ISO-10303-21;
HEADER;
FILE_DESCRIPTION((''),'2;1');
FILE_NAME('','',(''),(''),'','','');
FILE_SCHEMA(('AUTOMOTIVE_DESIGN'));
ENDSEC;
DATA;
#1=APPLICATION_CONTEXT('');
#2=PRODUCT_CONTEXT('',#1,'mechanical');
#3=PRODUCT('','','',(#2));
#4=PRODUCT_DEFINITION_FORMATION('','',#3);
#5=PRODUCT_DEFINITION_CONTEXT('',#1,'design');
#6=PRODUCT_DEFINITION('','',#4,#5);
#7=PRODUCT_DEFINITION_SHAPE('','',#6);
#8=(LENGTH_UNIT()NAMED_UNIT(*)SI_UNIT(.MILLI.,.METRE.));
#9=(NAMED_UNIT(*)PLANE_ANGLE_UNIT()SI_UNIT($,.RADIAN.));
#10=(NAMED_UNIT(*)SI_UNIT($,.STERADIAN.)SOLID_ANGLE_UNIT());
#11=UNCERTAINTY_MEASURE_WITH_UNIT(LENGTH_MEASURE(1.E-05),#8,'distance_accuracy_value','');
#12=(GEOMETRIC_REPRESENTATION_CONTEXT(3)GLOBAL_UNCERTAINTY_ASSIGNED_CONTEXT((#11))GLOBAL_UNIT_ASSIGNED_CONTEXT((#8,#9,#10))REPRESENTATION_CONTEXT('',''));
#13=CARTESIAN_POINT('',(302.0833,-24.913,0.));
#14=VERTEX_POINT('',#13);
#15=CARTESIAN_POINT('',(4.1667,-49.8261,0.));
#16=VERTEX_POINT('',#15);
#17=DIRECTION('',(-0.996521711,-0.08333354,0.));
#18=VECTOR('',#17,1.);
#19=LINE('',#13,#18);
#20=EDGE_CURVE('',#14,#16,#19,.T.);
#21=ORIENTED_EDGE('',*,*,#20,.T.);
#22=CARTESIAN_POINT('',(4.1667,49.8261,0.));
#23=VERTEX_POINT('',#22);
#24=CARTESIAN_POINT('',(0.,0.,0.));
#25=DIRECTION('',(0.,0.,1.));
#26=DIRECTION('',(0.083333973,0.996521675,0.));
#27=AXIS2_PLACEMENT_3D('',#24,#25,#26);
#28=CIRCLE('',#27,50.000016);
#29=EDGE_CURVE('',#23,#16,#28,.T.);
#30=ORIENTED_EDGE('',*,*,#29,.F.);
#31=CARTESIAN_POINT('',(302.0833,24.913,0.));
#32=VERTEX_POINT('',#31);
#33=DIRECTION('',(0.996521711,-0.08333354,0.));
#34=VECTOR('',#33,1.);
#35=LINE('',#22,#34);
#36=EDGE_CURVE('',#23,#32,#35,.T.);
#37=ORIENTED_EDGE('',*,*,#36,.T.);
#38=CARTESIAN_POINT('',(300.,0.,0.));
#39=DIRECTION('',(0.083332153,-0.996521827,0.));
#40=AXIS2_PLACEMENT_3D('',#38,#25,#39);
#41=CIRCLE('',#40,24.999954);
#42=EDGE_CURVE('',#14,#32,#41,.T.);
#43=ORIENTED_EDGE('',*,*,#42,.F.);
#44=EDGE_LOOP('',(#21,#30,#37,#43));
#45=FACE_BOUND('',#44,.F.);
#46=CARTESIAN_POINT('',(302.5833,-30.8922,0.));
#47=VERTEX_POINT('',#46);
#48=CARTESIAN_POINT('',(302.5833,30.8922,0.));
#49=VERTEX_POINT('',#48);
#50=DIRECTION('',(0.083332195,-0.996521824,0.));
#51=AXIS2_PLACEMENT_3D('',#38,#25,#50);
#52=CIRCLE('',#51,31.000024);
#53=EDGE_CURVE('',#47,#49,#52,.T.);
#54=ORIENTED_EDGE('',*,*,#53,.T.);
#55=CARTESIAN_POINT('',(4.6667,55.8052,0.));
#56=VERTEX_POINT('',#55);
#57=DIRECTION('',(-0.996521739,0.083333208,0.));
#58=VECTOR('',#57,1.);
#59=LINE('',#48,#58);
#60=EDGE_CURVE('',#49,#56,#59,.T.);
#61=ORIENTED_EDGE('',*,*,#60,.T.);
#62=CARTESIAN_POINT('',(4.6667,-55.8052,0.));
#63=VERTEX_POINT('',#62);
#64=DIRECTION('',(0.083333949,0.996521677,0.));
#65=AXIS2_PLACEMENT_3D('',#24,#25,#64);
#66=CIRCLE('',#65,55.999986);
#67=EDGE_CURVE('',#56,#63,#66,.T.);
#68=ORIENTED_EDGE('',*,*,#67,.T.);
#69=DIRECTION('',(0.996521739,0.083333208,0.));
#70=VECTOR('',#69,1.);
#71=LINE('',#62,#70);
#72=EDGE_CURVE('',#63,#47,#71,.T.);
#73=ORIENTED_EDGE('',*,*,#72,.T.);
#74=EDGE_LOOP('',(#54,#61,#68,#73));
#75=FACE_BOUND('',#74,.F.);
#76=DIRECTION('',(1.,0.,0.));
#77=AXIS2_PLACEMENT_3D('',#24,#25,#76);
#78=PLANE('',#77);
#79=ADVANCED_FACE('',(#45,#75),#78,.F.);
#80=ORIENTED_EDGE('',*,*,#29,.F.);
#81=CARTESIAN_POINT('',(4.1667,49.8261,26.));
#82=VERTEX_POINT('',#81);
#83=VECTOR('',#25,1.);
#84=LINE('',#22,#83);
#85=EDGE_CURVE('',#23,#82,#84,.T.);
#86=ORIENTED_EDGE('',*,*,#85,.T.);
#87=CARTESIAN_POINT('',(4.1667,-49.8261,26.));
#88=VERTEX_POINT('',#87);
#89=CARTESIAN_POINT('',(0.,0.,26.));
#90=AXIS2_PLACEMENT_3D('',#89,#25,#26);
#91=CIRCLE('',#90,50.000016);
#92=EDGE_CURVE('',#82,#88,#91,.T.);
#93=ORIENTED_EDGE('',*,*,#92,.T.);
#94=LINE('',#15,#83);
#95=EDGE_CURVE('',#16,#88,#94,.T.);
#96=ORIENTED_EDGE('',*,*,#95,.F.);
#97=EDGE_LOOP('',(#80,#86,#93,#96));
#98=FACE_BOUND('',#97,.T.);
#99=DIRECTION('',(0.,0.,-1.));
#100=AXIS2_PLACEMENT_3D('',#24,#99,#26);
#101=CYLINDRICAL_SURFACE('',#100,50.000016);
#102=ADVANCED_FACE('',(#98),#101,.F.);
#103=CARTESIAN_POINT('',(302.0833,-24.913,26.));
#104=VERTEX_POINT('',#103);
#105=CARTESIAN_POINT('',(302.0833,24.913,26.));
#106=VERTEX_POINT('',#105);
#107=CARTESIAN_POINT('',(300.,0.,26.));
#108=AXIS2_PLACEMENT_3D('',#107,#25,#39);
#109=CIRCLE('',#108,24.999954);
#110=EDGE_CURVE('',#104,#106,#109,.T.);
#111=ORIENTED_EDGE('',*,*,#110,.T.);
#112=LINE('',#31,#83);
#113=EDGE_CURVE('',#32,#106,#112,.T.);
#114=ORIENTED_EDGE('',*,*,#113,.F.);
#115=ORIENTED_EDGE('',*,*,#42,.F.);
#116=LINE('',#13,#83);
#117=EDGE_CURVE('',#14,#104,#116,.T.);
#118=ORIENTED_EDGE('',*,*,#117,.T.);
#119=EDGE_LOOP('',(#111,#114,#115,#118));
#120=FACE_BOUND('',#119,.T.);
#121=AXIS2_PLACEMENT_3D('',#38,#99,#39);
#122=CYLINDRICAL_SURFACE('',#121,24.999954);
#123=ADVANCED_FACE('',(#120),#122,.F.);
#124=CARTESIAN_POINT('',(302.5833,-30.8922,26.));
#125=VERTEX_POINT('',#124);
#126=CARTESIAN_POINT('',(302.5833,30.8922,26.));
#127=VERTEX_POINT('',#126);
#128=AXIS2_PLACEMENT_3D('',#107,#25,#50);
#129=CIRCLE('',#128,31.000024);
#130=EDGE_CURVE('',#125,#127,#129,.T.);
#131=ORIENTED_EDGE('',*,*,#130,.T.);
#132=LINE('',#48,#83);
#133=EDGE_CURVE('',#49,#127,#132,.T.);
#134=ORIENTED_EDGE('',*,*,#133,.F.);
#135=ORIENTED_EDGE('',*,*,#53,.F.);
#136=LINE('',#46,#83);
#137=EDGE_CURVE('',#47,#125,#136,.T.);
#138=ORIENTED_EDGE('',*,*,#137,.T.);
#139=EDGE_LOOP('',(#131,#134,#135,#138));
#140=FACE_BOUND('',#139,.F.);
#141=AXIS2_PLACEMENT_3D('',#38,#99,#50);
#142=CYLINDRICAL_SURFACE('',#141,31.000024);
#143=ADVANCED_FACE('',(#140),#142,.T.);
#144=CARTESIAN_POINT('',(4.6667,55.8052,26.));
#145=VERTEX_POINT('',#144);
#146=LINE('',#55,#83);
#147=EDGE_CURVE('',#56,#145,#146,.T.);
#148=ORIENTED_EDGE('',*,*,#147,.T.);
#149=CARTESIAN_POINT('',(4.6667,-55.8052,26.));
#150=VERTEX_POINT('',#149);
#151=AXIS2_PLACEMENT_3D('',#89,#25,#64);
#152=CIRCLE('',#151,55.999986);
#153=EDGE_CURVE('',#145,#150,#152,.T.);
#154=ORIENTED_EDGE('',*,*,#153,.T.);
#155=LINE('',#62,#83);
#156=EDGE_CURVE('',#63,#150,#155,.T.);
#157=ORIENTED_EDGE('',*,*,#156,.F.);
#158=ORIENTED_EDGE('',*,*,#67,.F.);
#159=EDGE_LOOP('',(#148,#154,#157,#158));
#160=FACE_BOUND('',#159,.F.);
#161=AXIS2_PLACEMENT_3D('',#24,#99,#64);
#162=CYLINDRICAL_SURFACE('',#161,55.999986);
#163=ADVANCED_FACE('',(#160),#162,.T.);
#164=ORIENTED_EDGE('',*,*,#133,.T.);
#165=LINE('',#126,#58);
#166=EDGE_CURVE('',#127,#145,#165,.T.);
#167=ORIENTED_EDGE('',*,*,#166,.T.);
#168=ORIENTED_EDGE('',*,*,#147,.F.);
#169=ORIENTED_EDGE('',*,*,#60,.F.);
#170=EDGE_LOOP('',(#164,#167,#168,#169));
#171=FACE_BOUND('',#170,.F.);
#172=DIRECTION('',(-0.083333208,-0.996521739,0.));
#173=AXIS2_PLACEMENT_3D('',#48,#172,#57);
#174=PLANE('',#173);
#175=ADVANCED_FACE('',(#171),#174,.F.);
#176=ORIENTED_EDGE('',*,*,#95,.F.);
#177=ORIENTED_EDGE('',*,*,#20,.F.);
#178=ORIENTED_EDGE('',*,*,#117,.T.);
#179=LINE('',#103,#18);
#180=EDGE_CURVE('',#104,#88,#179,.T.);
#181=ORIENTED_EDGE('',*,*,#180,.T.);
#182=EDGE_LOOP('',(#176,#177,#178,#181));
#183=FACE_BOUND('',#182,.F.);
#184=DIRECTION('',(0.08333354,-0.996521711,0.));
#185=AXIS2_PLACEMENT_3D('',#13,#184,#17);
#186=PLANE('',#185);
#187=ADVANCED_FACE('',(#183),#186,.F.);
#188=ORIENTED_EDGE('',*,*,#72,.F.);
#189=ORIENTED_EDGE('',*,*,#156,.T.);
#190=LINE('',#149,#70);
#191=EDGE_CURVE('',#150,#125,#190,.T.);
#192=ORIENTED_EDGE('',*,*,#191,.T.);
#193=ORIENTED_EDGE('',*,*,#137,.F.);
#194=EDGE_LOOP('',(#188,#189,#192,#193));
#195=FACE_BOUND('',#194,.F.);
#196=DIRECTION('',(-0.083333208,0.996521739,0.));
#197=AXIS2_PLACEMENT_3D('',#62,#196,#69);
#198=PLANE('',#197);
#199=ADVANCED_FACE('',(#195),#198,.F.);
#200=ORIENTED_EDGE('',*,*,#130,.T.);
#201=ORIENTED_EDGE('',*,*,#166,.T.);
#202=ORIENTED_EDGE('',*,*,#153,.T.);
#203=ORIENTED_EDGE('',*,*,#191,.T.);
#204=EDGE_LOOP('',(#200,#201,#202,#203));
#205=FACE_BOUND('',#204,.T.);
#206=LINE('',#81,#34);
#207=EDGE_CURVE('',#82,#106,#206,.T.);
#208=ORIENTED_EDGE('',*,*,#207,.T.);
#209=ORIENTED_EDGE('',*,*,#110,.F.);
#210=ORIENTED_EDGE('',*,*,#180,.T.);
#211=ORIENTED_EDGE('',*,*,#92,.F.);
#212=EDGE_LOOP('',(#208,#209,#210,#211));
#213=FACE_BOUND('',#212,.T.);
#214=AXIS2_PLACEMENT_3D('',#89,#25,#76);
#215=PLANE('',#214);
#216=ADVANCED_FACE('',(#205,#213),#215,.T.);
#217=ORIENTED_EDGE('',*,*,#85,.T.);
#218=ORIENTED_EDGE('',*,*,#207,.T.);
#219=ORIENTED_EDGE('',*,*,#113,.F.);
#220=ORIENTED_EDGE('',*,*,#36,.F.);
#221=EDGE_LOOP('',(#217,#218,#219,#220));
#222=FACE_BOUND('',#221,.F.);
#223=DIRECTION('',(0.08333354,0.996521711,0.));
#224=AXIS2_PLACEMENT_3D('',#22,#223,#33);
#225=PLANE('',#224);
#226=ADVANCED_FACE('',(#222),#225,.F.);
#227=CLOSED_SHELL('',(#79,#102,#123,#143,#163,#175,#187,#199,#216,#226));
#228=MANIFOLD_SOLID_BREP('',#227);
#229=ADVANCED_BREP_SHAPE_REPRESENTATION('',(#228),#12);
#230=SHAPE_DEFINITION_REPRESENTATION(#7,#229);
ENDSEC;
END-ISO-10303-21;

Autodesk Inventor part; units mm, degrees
ref_plane "YZ Plane" through (0, 0, 0) normal (1, 0, 0) x (0, 1, 0)
ref_plane "XZ Plane" through (0, 0, 0) normal (0, 1, 0) x (-1, 0, 0)
ref_plane "XY Plane" through (0, 0, 0) normal (0, 0, 1) x (1, 0, 0)
sketch "Schizzo1" plane through (0, 0, 0) normal (0, 0, 1) x (1, 0, 0)
  arc A0 (4.1667, 49.8261) -> (4.1667, -49.8261) centre (0, 0) ccw
  arc A1 (302.0833, -24.913) -> (302.0833, 24.913) centre (300, 0) ccw
  line L0 (4.1667, 49.8261) -> (302.0833, 24.913)
  line L1 (302.0833, -24.913) -> (4.1667, -49.8261)
  line L2 (302.5833, 30.8922) -> (4.6667, 55.8052)
  arc A2 (4.6667, 55.8052) -> (4.6667, -55.8052) centre (0, 0) ccw
  line L3 (4.6667, -55.8052) -> (302.5833, -30.8922)
  arc A3 (302.5833, -30.8922) -> (302.5833, 30.8922) centre (300, 0) ccw
  dimension "d0" = 100
  dimension "d1" = 50
  dimension "d2" = 300
  dimension "d3" = 6
extrude "Estrusione1" add sketch "Schizzo1" along normal blind 26
properties part number "Cinghia" material "Gomma"
